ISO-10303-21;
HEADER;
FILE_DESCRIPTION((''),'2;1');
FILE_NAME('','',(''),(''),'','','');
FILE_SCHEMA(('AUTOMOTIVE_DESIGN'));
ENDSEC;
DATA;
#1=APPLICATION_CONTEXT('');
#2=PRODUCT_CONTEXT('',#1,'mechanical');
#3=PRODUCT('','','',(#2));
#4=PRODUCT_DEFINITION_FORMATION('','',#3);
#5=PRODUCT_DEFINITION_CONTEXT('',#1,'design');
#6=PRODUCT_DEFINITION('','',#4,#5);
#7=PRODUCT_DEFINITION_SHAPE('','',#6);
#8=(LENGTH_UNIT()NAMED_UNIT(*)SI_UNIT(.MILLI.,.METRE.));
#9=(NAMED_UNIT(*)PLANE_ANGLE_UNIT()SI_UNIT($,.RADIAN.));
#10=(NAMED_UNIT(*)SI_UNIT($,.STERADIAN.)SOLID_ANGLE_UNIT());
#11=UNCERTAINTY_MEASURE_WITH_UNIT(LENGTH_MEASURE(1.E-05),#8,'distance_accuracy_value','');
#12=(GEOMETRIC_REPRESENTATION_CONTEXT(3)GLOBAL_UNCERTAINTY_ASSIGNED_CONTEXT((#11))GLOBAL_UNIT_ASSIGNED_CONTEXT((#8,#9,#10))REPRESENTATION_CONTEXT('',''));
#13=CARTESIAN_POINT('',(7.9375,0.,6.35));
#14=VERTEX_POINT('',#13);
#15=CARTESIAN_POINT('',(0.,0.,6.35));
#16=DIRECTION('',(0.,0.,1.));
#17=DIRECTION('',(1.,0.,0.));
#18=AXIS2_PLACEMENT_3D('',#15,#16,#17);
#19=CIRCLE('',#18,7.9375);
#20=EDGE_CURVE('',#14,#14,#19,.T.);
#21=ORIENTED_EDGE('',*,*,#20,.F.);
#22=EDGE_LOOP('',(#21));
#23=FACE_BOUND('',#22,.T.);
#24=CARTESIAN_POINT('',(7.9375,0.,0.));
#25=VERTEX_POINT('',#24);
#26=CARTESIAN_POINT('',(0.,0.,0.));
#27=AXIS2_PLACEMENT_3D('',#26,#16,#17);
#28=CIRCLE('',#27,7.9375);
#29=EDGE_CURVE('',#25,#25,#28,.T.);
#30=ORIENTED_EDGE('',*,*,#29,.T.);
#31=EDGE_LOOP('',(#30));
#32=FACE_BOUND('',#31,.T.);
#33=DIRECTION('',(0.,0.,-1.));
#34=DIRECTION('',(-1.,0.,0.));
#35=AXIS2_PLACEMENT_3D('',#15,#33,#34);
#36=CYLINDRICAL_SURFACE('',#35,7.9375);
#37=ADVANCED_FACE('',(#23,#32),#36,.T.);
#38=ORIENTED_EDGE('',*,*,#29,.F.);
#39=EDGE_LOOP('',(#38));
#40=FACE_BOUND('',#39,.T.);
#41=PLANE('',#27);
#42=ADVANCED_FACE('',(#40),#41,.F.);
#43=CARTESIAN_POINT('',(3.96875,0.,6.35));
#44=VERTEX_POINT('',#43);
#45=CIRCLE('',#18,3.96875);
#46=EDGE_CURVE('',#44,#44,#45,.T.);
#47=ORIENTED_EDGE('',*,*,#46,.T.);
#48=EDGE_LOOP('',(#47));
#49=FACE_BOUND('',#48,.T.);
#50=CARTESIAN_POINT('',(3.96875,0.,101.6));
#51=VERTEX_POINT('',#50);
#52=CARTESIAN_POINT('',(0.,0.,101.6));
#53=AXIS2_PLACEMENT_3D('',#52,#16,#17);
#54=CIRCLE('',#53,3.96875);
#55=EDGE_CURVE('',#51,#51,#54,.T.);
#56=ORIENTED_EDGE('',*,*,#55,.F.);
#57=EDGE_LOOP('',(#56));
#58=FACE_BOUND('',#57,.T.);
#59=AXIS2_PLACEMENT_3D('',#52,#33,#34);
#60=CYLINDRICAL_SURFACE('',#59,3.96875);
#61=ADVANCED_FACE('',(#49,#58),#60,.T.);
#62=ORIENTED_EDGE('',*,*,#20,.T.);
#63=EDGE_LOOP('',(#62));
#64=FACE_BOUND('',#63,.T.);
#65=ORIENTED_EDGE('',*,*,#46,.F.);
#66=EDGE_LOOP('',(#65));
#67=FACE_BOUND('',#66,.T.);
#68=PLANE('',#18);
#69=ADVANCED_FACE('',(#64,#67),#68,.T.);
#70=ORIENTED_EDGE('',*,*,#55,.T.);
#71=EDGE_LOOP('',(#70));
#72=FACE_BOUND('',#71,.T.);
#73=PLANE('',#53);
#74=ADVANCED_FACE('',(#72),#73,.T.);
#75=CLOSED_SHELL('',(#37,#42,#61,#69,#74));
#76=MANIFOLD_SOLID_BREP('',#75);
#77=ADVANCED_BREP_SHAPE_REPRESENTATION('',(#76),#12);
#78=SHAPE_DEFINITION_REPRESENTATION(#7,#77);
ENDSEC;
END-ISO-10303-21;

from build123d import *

# Parameters (mm, degrees)
SKETCH1_R           = 7.9375
BOSS_EXTRUDE1_DEPTH = 6.35
SKETCH2_R           = 3.96875
BOSS_EXTRUDE2_DEPTH = 95.25


with BuildPart() as part:
    # Sketch1 → Boss-Extrude1 (new body)
    with BuildSketch(Plane.XY):
        Circle(SKETCH1_R)
    extrude(amount=BOSS_EXTRUDE1_DEPTH)

    # Sketch2 → Boss-Extrude2 (add)
    with BuildSketch(Plane.XY.offset(6.35)):
        Circle(SKETCH2_R)
    extrude(amount=BOSS_EXTRUDE2_DEPTH)


solid = part.part
